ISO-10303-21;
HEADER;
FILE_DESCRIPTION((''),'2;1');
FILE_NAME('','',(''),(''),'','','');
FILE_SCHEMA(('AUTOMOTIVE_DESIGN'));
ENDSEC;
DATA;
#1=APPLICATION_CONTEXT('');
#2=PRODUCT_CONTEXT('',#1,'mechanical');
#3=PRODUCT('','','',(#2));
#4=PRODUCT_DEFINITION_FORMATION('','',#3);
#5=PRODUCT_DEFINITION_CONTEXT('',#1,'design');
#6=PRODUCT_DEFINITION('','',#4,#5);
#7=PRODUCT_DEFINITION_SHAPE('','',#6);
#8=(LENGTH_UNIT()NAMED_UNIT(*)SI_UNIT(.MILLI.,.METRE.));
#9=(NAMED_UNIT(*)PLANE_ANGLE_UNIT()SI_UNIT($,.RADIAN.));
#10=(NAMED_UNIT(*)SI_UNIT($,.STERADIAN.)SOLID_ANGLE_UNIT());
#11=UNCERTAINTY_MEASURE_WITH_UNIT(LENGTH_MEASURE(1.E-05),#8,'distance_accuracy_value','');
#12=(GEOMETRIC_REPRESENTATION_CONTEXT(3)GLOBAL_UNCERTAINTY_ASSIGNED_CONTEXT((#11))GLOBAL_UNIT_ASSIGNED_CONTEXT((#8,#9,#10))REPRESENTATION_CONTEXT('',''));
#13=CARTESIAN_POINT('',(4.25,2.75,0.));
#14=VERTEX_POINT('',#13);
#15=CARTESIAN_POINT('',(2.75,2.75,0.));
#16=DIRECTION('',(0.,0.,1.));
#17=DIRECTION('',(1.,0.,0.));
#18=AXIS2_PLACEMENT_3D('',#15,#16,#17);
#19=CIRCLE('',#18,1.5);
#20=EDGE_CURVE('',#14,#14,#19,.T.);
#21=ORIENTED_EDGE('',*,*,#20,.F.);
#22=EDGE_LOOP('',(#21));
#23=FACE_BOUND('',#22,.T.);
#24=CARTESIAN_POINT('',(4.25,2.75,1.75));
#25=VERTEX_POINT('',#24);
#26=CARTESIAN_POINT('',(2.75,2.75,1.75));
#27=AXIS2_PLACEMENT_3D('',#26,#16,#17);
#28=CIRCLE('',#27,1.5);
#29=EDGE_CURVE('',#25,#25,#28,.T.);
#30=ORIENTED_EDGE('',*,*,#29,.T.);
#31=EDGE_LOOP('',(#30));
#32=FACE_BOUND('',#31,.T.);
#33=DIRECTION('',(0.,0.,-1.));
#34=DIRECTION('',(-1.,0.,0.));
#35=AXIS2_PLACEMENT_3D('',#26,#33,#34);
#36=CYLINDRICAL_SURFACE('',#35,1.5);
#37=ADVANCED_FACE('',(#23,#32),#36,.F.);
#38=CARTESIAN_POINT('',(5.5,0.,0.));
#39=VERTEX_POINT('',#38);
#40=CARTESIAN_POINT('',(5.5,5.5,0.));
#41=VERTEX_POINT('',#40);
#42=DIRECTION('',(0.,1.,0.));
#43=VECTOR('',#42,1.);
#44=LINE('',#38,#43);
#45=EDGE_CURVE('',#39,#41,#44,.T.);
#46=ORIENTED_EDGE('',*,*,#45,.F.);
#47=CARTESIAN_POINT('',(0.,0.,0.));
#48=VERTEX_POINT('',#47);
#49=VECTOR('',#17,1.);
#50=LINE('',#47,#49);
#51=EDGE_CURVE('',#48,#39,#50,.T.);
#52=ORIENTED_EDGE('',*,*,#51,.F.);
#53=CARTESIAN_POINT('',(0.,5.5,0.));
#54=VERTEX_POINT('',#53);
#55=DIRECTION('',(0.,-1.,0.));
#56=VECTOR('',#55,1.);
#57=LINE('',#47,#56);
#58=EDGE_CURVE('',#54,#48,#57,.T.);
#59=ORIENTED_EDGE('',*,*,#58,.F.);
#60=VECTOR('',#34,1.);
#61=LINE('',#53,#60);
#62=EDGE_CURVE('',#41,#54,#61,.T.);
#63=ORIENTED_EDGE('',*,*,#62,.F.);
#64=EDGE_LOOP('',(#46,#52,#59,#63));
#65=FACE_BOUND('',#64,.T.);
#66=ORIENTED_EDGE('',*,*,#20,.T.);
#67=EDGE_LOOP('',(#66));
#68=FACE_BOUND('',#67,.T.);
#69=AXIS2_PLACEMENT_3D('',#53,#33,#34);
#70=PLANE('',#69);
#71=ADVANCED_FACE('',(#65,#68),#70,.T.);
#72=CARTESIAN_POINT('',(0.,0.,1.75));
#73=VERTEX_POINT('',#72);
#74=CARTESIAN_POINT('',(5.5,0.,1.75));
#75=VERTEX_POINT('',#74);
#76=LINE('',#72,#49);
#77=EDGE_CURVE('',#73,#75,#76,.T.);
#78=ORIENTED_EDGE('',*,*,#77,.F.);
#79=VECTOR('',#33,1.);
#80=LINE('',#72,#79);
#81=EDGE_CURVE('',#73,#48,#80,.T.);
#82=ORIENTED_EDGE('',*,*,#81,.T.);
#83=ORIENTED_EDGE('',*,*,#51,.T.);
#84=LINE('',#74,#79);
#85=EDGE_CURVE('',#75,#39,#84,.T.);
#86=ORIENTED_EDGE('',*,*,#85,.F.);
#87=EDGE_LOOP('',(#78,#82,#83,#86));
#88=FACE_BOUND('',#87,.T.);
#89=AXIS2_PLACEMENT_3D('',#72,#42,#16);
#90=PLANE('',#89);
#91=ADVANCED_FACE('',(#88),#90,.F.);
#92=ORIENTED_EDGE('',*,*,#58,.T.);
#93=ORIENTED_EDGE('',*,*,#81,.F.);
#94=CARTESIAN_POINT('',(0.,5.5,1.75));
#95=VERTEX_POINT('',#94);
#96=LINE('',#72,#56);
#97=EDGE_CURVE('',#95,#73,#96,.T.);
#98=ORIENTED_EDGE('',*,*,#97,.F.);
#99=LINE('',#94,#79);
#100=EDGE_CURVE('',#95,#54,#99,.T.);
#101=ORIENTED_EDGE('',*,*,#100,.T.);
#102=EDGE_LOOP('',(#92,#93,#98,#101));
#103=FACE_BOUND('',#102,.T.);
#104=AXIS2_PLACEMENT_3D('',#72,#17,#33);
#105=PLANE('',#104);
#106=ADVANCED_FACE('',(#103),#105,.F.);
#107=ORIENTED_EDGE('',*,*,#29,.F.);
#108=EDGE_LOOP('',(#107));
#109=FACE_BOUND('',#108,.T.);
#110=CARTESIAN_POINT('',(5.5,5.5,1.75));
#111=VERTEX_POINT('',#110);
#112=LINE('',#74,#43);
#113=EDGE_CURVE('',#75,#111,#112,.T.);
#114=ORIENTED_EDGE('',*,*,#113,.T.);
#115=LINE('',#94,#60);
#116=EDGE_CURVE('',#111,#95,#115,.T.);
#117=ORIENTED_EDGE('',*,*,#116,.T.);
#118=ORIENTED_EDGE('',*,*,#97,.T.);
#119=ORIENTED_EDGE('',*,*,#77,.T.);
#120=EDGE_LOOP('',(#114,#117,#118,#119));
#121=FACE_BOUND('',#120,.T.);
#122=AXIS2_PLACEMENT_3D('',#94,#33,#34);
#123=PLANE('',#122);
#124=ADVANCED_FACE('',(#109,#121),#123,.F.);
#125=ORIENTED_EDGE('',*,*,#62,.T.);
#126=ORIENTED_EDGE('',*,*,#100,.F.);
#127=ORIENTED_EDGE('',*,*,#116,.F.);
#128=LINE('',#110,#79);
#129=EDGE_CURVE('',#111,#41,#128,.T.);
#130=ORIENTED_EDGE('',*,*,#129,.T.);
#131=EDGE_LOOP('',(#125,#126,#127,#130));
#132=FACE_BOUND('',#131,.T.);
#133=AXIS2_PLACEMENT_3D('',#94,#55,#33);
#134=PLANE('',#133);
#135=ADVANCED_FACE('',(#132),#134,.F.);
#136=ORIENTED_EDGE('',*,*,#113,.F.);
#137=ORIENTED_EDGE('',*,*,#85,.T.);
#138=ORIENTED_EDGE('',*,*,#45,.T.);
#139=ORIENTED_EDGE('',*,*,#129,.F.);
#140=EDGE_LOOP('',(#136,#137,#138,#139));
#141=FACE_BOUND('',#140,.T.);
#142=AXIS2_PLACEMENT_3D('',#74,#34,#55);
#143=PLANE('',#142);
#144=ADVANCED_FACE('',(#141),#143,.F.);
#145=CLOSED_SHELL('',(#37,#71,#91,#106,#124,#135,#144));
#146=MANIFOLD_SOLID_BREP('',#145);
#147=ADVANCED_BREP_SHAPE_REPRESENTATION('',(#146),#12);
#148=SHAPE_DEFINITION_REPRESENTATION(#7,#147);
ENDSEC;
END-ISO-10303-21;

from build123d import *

# Parameters (mm, degrees)
SKETCH1_W           = 5.5
SKETCH1_H           = 5.5
SKETCH1_R           = 1.5
BOSS_EXTRUDE1_DEPTH = 1.75


with BuildPart() as part:
    # Sketch1 → Boss-Extrude1 (new body)
    with BuildSketch(Plane.XY):
        with Locations((2.75, 2.75)):
            Rectangle(SKETCH1_W, SKETCH1_H)
        with Locations((2.75, 2.75)):
            Circle(SKETCH1_R, mode=Mode.SUBTRACT)
    extrude(amount=BOSS_EXTRUDE1_DEPTH)


solid = part.part
